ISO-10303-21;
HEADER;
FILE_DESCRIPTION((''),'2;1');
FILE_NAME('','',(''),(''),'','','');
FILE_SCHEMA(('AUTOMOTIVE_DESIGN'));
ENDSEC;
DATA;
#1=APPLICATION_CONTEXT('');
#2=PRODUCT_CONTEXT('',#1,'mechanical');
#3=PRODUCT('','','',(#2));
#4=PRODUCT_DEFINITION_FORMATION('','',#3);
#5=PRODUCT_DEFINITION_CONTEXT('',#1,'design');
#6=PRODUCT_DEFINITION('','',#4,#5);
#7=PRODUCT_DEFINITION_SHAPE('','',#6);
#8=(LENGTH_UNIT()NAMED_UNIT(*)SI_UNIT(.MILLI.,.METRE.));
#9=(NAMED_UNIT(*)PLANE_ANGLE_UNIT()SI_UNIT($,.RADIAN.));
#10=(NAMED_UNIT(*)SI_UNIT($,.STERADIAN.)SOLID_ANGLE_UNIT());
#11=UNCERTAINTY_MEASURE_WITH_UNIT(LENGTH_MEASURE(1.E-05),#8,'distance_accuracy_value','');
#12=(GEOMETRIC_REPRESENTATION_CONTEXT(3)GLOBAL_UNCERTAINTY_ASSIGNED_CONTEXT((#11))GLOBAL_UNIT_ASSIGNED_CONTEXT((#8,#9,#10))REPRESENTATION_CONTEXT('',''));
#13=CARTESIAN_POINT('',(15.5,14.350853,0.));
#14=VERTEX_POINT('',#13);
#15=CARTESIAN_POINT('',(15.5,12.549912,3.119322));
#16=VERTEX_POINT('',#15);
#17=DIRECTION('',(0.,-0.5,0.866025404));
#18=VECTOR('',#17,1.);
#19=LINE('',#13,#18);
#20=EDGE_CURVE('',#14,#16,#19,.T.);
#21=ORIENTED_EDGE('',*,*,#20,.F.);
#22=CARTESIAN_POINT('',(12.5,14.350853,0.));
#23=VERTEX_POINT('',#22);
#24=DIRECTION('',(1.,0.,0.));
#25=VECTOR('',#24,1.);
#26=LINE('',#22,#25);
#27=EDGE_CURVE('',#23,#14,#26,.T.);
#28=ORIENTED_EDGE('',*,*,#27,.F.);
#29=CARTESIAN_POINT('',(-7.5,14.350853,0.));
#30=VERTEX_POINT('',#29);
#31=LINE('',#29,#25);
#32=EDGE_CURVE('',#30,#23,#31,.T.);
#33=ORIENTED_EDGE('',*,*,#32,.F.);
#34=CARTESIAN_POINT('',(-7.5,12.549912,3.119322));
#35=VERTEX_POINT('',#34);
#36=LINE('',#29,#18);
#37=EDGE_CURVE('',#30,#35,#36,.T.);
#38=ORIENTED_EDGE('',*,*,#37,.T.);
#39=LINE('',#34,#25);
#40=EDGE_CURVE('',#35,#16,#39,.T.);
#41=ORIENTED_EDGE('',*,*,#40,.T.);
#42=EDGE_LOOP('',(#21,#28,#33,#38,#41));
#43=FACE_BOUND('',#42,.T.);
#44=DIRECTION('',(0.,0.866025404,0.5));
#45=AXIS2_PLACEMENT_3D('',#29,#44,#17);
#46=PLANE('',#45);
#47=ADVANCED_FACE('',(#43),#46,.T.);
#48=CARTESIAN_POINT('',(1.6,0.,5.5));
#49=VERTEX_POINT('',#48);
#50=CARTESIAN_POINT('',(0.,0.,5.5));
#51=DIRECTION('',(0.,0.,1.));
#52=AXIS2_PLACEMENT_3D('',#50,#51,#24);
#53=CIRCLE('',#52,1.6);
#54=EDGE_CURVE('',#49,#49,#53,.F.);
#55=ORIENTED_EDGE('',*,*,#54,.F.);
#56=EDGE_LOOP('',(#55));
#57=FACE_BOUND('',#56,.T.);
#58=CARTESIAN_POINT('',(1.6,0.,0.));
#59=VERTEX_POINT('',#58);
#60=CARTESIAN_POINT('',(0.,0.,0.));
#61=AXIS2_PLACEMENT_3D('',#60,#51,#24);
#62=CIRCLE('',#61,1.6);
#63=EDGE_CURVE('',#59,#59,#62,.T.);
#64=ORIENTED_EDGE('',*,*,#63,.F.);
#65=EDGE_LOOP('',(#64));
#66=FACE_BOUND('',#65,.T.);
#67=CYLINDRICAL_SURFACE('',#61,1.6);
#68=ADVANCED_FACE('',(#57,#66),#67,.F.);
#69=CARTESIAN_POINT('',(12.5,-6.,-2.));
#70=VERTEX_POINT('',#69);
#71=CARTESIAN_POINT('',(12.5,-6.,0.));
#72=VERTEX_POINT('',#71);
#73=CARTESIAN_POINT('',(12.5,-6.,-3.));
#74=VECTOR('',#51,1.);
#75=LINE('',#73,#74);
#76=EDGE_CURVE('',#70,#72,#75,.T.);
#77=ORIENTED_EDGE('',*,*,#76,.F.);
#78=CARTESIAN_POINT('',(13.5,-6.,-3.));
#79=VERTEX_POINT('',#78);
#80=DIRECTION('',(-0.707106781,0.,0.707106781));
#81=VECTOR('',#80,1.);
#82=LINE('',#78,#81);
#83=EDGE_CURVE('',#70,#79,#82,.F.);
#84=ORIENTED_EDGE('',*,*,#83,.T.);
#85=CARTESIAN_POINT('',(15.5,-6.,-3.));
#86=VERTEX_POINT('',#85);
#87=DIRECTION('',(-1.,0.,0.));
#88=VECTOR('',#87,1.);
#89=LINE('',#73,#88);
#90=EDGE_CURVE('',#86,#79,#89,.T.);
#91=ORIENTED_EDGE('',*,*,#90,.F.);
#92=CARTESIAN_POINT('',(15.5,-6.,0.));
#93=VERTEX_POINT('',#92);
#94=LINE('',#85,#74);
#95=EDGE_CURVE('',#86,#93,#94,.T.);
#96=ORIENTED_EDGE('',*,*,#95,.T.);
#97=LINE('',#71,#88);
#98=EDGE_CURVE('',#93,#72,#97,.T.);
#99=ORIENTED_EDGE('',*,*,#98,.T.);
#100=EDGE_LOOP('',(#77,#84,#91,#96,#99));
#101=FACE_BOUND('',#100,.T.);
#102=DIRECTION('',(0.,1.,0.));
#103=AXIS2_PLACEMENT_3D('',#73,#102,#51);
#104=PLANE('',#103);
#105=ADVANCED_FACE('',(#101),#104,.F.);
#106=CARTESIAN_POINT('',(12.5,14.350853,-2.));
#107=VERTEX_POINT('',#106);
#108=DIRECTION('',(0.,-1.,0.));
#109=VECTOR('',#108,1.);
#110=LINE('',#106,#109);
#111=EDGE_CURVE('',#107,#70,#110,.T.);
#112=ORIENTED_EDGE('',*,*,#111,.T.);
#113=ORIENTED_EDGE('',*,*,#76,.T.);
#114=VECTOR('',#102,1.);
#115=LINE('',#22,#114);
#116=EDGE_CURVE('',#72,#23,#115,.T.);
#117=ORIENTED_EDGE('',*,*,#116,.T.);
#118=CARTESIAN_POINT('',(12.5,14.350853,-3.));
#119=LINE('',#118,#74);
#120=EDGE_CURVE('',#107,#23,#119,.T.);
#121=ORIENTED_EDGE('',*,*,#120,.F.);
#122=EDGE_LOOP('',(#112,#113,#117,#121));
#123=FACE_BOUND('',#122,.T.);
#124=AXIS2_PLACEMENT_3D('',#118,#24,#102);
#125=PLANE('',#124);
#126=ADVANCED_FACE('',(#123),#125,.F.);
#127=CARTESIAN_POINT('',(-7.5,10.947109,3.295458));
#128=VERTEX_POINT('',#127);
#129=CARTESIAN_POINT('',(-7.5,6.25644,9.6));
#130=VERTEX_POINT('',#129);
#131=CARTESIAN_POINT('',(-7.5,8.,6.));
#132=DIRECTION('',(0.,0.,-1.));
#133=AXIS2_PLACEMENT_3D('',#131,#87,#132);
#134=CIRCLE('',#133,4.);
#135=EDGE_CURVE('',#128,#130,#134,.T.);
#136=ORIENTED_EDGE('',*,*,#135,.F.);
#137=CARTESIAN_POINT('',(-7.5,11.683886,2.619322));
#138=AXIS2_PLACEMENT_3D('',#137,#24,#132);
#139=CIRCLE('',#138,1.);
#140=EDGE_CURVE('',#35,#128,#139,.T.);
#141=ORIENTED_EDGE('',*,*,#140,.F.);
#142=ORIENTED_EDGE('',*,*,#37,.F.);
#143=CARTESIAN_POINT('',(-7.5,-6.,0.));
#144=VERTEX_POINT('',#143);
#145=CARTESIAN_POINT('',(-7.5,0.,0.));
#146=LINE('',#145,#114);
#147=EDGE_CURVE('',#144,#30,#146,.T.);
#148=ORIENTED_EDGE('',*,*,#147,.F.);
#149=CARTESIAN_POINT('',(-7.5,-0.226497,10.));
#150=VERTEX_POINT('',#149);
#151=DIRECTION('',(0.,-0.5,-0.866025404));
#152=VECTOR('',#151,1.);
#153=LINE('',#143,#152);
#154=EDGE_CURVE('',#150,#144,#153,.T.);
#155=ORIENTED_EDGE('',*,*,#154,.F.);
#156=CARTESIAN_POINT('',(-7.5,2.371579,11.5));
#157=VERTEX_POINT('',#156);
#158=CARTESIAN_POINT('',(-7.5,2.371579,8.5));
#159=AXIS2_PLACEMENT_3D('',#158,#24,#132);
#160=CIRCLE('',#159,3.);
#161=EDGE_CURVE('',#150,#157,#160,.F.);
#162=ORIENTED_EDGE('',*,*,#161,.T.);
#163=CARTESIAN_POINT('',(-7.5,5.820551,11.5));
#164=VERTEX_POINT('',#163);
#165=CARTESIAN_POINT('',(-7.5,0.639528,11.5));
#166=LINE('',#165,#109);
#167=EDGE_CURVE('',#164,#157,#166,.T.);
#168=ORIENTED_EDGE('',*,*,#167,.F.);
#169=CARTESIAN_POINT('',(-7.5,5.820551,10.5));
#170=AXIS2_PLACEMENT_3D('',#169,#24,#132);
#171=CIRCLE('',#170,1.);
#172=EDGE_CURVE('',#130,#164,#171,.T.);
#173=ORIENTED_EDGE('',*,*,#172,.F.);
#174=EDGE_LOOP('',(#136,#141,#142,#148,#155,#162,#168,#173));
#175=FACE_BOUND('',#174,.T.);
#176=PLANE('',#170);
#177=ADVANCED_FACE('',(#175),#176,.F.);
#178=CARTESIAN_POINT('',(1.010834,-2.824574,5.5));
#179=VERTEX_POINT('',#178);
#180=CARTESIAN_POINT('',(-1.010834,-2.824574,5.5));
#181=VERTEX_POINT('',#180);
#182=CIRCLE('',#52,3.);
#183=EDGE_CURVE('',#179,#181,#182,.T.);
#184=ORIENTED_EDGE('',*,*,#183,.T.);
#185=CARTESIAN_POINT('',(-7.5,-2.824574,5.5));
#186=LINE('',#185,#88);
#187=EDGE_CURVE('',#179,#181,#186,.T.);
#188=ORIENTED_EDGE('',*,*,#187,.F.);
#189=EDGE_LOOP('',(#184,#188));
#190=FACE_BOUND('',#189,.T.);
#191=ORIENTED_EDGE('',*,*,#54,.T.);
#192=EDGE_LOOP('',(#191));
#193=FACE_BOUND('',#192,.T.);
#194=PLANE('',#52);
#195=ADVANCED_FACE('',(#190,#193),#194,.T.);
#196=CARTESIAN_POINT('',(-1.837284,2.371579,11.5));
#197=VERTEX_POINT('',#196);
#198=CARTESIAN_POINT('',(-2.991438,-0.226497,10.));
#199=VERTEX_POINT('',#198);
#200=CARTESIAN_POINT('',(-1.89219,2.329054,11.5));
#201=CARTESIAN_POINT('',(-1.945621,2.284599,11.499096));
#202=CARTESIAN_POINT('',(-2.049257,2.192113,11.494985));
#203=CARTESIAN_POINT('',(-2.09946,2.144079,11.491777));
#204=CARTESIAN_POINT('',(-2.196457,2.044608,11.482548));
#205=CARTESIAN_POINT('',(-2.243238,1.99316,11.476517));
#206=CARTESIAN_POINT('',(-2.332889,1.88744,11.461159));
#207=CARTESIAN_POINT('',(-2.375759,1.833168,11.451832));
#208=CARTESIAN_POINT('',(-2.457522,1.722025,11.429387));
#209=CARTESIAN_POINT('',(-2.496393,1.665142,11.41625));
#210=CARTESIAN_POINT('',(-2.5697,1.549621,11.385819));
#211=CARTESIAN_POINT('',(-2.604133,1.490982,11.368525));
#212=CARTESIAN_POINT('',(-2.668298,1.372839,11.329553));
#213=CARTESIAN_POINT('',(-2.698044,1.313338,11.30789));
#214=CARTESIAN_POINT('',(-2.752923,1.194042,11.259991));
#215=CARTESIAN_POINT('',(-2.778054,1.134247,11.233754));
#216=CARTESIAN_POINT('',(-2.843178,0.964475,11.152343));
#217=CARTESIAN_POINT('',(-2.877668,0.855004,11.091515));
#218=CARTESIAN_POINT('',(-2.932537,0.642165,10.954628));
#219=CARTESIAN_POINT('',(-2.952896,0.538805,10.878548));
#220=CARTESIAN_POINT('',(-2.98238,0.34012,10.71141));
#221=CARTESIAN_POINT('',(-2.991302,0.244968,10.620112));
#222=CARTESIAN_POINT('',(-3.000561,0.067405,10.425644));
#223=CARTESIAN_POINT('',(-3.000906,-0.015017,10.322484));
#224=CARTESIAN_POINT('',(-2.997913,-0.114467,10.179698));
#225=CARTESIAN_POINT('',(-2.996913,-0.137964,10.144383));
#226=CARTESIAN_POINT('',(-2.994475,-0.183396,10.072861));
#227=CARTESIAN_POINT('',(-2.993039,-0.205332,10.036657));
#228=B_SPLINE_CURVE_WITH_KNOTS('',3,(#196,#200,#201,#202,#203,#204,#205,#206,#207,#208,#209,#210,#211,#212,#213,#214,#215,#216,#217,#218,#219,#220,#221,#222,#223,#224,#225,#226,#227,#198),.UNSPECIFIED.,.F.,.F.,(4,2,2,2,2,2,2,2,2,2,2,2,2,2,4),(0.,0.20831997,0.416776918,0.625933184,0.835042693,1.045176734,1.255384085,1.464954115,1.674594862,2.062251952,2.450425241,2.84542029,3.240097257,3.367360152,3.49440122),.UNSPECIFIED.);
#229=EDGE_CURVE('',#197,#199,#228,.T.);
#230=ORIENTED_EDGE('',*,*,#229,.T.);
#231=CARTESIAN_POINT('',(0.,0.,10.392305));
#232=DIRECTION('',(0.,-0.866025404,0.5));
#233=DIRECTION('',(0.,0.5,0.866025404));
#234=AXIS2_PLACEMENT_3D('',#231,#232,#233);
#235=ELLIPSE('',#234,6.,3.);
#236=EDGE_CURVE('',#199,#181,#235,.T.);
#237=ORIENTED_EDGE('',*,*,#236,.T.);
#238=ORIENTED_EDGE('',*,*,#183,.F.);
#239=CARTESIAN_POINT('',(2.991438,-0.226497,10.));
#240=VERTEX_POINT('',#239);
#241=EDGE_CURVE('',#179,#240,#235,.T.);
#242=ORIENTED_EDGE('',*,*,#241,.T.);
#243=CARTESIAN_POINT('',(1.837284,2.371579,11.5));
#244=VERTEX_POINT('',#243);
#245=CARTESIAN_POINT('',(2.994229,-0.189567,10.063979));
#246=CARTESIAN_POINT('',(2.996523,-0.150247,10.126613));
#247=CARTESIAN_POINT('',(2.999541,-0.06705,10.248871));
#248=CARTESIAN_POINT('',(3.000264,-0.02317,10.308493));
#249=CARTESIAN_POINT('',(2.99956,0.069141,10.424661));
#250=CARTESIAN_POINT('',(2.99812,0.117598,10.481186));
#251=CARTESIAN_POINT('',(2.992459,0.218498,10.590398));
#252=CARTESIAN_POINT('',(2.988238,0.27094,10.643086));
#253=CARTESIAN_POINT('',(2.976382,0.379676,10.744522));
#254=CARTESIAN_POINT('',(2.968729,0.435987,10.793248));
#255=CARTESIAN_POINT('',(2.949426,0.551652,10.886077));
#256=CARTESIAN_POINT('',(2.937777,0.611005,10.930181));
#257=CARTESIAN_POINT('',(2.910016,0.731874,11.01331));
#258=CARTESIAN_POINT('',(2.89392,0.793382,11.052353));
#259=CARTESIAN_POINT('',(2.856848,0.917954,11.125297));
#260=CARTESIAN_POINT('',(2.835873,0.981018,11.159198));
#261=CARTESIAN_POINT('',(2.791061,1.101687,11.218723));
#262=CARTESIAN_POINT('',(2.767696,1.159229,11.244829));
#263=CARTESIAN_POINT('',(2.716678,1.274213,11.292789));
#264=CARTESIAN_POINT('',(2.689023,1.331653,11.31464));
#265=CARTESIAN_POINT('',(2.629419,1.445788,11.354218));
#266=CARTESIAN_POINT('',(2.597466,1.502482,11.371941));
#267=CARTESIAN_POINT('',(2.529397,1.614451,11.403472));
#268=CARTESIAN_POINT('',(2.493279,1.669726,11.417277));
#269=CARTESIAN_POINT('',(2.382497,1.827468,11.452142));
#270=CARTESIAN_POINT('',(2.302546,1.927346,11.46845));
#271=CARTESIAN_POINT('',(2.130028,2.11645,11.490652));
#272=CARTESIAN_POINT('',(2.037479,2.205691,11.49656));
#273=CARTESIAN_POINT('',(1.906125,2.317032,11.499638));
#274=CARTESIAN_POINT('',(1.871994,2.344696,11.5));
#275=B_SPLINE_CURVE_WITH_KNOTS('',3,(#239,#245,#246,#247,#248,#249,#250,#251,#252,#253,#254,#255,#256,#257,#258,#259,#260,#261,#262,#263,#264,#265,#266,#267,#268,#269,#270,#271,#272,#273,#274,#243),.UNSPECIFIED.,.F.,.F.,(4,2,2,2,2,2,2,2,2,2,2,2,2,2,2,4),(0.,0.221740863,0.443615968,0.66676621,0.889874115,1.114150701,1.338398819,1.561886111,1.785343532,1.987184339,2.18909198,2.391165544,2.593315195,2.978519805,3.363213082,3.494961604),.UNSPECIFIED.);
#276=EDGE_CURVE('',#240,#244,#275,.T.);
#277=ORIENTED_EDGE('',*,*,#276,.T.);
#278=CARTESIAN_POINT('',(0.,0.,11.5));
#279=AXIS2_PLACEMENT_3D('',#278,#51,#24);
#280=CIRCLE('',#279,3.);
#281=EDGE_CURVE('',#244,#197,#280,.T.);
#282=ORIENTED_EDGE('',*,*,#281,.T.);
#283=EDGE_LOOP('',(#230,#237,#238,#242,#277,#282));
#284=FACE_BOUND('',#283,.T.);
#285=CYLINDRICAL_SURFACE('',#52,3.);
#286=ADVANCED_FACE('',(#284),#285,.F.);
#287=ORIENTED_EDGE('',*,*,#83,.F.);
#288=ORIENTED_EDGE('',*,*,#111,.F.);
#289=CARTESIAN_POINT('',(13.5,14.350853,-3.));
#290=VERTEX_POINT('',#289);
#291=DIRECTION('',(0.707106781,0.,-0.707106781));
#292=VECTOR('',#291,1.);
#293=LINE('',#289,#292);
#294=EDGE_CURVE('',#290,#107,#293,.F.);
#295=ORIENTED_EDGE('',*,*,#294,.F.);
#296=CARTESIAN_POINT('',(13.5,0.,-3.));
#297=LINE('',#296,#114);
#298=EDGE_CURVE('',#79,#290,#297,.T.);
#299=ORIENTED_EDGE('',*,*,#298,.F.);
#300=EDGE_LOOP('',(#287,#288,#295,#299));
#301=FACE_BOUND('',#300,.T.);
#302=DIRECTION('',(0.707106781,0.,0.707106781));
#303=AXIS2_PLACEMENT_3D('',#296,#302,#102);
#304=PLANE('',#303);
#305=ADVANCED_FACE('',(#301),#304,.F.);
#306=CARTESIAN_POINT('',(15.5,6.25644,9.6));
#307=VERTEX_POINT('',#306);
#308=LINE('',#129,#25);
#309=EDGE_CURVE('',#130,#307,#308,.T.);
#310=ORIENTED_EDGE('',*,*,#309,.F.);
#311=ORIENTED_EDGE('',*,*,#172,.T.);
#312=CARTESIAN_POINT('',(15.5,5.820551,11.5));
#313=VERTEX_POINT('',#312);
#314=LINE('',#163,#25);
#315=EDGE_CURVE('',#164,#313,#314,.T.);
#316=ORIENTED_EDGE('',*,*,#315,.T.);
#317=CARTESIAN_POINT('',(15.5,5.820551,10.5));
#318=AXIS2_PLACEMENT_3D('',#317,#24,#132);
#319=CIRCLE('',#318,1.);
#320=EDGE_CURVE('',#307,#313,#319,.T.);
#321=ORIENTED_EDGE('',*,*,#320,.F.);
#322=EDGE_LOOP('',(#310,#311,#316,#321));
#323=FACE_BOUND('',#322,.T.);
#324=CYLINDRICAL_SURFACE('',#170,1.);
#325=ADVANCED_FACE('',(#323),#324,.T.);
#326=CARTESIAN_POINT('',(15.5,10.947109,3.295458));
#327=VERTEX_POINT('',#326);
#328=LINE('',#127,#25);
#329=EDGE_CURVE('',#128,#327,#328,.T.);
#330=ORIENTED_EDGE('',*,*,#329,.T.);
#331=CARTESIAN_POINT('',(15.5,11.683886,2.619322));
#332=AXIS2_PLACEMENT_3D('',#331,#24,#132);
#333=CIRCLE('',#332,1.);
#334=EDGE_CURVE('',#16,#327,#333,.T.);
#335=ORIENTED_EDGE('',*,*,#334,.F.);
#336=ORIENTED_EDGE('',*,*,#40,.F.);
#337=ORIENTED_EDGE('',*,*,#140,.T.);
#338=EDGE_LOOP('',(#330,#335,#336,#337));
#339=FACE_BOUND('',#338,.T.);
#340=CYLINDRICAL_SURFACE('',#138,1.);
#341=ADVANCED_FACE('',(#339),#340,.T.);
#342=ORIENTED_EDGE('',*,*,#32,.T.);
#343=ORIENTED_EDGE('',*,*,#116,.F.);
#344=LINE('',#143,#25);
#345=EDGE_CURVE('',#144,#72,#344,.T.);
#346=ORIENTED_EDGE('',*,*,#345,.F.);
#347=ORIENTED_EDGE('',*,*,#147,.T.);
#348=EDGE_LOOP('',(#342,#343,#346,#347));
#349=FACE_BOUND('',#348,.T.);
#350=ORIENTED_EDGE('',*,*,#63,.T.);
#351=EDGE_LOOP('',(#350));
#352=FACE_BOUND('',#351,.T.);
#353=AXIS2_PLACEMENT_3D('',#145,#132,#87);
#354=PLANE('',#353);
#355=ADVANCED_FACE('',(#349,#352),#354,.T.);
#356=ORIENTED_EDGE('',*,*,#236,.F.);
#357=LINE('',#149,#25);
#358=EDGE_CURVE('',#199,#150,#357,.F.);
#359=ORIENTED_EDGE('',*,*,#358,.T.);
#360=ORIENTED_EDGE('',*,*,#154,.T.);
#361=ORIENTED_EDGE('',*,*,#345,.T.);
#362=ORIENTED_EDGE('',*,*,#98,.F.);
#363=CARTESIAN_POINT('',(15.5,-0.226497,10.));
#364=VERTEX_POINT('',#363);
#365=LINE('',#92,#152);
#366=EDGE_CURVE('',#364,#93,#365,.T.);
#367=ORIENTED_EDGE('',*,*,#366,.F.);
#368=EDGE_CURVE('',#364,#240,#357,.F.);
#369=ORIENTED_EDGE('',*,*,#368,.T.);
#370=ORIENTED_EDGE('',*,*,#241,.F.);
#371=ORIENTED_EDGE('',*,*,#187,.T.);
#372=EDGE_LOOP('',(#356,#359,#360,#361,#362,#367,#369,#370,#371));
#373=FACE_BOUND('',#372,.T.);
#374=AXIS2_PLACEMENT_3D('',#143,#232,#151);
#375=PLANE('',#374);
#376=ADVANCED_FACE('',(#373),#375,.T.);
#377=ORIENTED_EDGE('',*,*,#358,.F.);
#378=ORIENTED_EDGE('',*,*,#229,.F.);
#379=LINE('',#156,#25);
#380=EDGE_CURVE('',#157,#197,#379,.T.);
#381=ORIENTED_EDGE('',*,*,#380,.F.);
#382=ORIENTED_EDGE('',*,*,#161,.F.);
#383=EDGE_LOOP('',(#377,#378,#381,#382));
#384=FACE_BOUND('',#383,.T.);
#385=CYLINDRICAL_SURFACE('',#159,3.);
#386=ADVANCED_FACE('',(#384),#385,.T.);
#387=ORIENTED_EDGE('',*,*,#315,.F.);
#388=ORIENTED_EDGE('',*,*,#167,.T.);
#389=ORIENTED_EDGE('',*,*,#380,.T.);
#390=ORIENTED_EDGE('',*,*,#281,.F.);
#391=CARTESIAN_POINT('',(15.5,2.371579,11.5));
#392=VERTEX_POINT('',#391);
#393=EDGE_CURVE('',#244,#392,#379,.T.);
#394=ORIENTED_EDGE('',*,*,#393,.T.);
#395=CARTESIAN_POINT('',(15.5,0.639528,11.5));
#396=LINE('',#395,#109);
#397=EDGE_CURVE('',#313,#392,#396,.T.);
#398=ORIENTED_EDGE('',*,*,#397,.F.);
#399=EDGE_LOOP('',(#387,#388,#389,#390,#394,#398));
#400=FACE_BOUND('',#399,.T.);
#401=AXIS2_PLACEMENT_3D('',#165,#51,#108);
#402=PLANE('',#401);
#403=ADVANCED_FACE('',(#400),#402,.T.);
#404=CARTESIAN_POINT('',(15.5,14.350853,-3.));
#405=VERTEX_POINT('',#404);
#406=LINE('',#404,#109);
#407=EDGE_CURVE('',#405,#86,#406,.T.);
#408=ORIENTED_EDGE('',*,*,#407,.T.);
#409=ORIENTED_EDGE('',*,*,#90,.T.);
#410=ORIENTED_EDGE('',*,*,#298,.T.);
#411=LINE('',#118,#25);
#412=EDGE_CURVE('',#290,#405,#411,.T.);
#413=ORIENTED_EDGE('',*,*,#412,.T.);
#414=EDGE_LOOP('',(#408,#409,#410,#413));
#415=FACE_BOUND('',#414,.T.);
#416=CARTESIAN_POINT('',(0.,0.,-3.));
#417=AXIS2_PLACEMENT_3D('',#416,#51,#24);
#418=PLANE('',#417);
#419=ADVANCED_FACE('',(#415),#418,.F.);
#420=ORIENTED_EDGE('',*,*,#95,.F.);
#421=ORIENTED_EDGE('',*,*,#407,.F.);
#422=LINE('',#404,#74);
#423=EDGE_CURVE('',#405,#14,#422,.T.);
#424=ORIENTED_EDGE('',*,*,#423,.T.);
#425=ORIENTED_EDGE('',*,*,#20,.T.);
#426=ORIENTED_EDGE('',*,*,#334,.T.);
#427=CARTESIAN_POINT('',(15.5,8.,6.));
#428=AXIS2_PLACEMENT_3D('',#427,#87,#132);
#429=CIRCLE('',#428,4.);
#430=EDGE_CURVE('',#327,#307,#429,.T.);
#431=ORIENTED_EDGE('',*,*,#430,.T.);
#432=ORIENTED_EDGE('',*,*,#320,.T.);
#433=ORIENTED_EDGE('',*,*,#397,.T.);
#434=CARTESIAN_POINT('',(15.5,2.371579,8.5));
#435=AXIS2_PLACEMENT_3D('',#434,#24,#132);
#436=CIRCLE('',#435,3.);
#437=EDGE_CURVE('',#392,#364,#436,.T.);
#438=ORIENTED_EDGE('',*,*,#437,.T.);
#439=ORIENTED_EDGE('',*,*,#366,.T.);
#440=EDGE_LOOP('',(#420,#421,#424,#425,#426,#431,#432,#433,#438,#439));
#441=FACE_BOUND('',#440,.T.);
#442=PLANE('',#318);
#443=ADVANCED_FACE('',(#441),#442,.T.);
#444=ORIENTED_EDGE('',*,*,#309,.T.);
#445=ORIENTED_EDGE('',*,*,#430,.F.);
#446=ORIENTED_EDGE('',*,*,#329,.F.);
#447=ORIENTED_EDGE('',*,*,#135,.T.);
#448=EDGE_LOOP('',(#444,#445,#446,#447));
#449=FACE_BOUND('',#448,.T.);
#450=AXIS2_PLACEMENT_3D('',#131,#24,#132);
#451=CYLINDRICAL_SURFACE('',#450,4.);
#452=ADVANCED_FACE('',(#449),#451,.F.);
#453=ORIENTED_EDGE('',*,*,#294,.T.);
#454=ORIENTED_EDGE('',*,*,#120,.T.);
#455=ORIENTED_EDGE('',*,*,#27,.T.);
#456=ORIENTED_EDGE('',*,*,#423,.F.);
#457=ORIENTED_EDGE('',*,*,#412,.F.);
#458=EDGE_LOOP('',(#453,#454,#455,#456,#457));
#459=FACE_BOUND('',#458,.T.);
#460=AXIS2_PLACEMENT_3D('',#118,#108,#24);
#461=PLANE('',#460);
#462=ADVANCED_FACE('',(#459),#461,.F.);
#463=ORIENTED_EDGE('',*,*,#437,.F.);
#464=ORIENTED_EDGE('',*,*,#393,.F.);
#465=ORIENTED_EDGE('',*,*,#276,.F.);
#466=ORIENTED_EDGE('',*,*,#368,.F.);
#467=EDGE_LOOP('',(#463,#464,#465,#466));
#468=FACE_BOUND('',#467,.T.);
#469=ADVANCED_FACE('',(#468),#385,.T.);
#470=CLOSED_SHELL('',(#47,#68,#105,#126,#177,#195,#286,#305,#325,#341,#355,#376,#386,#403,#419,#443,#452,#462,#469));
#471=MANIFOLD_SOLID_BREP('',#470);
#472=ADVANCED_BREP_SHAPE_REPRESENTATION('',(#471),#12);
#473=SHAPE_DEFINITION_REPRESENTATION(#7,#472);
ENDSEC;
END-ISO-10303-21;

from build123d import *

# Parameters (mm, degrees)
EXTRUDE_1_DEPTH      = 15.5
EXTRUDE_1_DEPTH_BACK = 7.5
SKETCH_2_R           = 1.6
CUT_EXTRUDE_1_DEPTH  = 25.050924737
SKETCH_3_R           = 3
CUT_EXTRUDE_2_DEPTH  = 6
SKETCH_4_W           = 3
SKETCH_4_H           = 20.350852961
EXTRUDE_2_DEPTH      = 3
FILLET_1_R           = 3
CHAMFER_2_SIZE       = 1


with BuildPart() as part:
    # 草图1 → 凸台-拉伸1 (new, two sides: drawn at the far end of the back side and taken through both)
    with BuildSketch(Plane(origin=(0, 0, 0), x_dir=(0, 0, -1), z_dir=(1, 0, 0)).offset(-EXTRUDE_1_DEPTH_BACK)):
        with BuildLine():
            Line((0, 0), (0, 14.350852961))
            Line((0, 14.350852961), (-3.11932209, 12.549911513))
            ThreePointArc((-3.11932209, 12.549911513), (-3.613338081, 11.79312076), (-3.295457672, 10.947108887))
            ThreePointArc((-3.295457672, 10.947108887), (-3.612312045, 4.790802869), (-9.6, 6.256440423))
            ThreePointArc((-9.6, 6.256440423), (-10.723606798, 6.795229963), (-11.5, 5.820550528))
            Line((-11.5, 5.820550528), (-11.5, 0.639528096))
            Line((-11.5, 0.639528096), (0, -6))
            Line((0, -6), (0, 0))
        make_face()
    extrude(amount=EXTRUDE_1_DEPTH + EXTRUDE_1_DEPTH_BACK)

    # 草图2 → 切除-拉伸1 (cut, through all)
    with BuildSketch(Plane.XY.offset(11.5)):
        Circle(SKETCH_2_R)
    extrude(amount=-CUT_EXTRUDE_1_DEPTH, mode=Mode.SUBTRACT)

    # 草图3 → 切除-拉伸2 (cut)
    with BuildSketch(Plane.XY.offset(11.5)):
        Circle(SKETCH_3_R)
    extrude(amount=-CUT_EXTRUDE_2_DEPTH, mode=Mode.SUBTRACT)

    # 草图4 → 凸台-拉伸2 (add)
    with BuildSketch(Plane(origin=(0, 0, 0), x_dir=(-1, 0, 0), z_dir=(0, 0, -1))):
        with Locations((-14, 4.175426481)):
            Rectangle(SKETCH_4_W, SKETCH_4_H)
    extrude(amount=EXTRUDE_2_DEPTH)

    # 圆角1
    fillet_1_edges = [part.edges().sort_by_distance(p)[0] for p in [
        (9.215520711, 0.639528096, 11.5),
        (-5.215520711, 0.639528096, 11.5),
    ]]
    fillet(fillet_1_edges, radius=FILLET_1_R)

    # 倒角2
    chamfer_2_edges = [part.edges().sort_by_distance(p)[0] for p in [
        (12.5, 4.175426481, -3),
    ]]
    chamfer(chamfer_2_edges, length=CHAMFER_2_SIZE)


solid = part.part
